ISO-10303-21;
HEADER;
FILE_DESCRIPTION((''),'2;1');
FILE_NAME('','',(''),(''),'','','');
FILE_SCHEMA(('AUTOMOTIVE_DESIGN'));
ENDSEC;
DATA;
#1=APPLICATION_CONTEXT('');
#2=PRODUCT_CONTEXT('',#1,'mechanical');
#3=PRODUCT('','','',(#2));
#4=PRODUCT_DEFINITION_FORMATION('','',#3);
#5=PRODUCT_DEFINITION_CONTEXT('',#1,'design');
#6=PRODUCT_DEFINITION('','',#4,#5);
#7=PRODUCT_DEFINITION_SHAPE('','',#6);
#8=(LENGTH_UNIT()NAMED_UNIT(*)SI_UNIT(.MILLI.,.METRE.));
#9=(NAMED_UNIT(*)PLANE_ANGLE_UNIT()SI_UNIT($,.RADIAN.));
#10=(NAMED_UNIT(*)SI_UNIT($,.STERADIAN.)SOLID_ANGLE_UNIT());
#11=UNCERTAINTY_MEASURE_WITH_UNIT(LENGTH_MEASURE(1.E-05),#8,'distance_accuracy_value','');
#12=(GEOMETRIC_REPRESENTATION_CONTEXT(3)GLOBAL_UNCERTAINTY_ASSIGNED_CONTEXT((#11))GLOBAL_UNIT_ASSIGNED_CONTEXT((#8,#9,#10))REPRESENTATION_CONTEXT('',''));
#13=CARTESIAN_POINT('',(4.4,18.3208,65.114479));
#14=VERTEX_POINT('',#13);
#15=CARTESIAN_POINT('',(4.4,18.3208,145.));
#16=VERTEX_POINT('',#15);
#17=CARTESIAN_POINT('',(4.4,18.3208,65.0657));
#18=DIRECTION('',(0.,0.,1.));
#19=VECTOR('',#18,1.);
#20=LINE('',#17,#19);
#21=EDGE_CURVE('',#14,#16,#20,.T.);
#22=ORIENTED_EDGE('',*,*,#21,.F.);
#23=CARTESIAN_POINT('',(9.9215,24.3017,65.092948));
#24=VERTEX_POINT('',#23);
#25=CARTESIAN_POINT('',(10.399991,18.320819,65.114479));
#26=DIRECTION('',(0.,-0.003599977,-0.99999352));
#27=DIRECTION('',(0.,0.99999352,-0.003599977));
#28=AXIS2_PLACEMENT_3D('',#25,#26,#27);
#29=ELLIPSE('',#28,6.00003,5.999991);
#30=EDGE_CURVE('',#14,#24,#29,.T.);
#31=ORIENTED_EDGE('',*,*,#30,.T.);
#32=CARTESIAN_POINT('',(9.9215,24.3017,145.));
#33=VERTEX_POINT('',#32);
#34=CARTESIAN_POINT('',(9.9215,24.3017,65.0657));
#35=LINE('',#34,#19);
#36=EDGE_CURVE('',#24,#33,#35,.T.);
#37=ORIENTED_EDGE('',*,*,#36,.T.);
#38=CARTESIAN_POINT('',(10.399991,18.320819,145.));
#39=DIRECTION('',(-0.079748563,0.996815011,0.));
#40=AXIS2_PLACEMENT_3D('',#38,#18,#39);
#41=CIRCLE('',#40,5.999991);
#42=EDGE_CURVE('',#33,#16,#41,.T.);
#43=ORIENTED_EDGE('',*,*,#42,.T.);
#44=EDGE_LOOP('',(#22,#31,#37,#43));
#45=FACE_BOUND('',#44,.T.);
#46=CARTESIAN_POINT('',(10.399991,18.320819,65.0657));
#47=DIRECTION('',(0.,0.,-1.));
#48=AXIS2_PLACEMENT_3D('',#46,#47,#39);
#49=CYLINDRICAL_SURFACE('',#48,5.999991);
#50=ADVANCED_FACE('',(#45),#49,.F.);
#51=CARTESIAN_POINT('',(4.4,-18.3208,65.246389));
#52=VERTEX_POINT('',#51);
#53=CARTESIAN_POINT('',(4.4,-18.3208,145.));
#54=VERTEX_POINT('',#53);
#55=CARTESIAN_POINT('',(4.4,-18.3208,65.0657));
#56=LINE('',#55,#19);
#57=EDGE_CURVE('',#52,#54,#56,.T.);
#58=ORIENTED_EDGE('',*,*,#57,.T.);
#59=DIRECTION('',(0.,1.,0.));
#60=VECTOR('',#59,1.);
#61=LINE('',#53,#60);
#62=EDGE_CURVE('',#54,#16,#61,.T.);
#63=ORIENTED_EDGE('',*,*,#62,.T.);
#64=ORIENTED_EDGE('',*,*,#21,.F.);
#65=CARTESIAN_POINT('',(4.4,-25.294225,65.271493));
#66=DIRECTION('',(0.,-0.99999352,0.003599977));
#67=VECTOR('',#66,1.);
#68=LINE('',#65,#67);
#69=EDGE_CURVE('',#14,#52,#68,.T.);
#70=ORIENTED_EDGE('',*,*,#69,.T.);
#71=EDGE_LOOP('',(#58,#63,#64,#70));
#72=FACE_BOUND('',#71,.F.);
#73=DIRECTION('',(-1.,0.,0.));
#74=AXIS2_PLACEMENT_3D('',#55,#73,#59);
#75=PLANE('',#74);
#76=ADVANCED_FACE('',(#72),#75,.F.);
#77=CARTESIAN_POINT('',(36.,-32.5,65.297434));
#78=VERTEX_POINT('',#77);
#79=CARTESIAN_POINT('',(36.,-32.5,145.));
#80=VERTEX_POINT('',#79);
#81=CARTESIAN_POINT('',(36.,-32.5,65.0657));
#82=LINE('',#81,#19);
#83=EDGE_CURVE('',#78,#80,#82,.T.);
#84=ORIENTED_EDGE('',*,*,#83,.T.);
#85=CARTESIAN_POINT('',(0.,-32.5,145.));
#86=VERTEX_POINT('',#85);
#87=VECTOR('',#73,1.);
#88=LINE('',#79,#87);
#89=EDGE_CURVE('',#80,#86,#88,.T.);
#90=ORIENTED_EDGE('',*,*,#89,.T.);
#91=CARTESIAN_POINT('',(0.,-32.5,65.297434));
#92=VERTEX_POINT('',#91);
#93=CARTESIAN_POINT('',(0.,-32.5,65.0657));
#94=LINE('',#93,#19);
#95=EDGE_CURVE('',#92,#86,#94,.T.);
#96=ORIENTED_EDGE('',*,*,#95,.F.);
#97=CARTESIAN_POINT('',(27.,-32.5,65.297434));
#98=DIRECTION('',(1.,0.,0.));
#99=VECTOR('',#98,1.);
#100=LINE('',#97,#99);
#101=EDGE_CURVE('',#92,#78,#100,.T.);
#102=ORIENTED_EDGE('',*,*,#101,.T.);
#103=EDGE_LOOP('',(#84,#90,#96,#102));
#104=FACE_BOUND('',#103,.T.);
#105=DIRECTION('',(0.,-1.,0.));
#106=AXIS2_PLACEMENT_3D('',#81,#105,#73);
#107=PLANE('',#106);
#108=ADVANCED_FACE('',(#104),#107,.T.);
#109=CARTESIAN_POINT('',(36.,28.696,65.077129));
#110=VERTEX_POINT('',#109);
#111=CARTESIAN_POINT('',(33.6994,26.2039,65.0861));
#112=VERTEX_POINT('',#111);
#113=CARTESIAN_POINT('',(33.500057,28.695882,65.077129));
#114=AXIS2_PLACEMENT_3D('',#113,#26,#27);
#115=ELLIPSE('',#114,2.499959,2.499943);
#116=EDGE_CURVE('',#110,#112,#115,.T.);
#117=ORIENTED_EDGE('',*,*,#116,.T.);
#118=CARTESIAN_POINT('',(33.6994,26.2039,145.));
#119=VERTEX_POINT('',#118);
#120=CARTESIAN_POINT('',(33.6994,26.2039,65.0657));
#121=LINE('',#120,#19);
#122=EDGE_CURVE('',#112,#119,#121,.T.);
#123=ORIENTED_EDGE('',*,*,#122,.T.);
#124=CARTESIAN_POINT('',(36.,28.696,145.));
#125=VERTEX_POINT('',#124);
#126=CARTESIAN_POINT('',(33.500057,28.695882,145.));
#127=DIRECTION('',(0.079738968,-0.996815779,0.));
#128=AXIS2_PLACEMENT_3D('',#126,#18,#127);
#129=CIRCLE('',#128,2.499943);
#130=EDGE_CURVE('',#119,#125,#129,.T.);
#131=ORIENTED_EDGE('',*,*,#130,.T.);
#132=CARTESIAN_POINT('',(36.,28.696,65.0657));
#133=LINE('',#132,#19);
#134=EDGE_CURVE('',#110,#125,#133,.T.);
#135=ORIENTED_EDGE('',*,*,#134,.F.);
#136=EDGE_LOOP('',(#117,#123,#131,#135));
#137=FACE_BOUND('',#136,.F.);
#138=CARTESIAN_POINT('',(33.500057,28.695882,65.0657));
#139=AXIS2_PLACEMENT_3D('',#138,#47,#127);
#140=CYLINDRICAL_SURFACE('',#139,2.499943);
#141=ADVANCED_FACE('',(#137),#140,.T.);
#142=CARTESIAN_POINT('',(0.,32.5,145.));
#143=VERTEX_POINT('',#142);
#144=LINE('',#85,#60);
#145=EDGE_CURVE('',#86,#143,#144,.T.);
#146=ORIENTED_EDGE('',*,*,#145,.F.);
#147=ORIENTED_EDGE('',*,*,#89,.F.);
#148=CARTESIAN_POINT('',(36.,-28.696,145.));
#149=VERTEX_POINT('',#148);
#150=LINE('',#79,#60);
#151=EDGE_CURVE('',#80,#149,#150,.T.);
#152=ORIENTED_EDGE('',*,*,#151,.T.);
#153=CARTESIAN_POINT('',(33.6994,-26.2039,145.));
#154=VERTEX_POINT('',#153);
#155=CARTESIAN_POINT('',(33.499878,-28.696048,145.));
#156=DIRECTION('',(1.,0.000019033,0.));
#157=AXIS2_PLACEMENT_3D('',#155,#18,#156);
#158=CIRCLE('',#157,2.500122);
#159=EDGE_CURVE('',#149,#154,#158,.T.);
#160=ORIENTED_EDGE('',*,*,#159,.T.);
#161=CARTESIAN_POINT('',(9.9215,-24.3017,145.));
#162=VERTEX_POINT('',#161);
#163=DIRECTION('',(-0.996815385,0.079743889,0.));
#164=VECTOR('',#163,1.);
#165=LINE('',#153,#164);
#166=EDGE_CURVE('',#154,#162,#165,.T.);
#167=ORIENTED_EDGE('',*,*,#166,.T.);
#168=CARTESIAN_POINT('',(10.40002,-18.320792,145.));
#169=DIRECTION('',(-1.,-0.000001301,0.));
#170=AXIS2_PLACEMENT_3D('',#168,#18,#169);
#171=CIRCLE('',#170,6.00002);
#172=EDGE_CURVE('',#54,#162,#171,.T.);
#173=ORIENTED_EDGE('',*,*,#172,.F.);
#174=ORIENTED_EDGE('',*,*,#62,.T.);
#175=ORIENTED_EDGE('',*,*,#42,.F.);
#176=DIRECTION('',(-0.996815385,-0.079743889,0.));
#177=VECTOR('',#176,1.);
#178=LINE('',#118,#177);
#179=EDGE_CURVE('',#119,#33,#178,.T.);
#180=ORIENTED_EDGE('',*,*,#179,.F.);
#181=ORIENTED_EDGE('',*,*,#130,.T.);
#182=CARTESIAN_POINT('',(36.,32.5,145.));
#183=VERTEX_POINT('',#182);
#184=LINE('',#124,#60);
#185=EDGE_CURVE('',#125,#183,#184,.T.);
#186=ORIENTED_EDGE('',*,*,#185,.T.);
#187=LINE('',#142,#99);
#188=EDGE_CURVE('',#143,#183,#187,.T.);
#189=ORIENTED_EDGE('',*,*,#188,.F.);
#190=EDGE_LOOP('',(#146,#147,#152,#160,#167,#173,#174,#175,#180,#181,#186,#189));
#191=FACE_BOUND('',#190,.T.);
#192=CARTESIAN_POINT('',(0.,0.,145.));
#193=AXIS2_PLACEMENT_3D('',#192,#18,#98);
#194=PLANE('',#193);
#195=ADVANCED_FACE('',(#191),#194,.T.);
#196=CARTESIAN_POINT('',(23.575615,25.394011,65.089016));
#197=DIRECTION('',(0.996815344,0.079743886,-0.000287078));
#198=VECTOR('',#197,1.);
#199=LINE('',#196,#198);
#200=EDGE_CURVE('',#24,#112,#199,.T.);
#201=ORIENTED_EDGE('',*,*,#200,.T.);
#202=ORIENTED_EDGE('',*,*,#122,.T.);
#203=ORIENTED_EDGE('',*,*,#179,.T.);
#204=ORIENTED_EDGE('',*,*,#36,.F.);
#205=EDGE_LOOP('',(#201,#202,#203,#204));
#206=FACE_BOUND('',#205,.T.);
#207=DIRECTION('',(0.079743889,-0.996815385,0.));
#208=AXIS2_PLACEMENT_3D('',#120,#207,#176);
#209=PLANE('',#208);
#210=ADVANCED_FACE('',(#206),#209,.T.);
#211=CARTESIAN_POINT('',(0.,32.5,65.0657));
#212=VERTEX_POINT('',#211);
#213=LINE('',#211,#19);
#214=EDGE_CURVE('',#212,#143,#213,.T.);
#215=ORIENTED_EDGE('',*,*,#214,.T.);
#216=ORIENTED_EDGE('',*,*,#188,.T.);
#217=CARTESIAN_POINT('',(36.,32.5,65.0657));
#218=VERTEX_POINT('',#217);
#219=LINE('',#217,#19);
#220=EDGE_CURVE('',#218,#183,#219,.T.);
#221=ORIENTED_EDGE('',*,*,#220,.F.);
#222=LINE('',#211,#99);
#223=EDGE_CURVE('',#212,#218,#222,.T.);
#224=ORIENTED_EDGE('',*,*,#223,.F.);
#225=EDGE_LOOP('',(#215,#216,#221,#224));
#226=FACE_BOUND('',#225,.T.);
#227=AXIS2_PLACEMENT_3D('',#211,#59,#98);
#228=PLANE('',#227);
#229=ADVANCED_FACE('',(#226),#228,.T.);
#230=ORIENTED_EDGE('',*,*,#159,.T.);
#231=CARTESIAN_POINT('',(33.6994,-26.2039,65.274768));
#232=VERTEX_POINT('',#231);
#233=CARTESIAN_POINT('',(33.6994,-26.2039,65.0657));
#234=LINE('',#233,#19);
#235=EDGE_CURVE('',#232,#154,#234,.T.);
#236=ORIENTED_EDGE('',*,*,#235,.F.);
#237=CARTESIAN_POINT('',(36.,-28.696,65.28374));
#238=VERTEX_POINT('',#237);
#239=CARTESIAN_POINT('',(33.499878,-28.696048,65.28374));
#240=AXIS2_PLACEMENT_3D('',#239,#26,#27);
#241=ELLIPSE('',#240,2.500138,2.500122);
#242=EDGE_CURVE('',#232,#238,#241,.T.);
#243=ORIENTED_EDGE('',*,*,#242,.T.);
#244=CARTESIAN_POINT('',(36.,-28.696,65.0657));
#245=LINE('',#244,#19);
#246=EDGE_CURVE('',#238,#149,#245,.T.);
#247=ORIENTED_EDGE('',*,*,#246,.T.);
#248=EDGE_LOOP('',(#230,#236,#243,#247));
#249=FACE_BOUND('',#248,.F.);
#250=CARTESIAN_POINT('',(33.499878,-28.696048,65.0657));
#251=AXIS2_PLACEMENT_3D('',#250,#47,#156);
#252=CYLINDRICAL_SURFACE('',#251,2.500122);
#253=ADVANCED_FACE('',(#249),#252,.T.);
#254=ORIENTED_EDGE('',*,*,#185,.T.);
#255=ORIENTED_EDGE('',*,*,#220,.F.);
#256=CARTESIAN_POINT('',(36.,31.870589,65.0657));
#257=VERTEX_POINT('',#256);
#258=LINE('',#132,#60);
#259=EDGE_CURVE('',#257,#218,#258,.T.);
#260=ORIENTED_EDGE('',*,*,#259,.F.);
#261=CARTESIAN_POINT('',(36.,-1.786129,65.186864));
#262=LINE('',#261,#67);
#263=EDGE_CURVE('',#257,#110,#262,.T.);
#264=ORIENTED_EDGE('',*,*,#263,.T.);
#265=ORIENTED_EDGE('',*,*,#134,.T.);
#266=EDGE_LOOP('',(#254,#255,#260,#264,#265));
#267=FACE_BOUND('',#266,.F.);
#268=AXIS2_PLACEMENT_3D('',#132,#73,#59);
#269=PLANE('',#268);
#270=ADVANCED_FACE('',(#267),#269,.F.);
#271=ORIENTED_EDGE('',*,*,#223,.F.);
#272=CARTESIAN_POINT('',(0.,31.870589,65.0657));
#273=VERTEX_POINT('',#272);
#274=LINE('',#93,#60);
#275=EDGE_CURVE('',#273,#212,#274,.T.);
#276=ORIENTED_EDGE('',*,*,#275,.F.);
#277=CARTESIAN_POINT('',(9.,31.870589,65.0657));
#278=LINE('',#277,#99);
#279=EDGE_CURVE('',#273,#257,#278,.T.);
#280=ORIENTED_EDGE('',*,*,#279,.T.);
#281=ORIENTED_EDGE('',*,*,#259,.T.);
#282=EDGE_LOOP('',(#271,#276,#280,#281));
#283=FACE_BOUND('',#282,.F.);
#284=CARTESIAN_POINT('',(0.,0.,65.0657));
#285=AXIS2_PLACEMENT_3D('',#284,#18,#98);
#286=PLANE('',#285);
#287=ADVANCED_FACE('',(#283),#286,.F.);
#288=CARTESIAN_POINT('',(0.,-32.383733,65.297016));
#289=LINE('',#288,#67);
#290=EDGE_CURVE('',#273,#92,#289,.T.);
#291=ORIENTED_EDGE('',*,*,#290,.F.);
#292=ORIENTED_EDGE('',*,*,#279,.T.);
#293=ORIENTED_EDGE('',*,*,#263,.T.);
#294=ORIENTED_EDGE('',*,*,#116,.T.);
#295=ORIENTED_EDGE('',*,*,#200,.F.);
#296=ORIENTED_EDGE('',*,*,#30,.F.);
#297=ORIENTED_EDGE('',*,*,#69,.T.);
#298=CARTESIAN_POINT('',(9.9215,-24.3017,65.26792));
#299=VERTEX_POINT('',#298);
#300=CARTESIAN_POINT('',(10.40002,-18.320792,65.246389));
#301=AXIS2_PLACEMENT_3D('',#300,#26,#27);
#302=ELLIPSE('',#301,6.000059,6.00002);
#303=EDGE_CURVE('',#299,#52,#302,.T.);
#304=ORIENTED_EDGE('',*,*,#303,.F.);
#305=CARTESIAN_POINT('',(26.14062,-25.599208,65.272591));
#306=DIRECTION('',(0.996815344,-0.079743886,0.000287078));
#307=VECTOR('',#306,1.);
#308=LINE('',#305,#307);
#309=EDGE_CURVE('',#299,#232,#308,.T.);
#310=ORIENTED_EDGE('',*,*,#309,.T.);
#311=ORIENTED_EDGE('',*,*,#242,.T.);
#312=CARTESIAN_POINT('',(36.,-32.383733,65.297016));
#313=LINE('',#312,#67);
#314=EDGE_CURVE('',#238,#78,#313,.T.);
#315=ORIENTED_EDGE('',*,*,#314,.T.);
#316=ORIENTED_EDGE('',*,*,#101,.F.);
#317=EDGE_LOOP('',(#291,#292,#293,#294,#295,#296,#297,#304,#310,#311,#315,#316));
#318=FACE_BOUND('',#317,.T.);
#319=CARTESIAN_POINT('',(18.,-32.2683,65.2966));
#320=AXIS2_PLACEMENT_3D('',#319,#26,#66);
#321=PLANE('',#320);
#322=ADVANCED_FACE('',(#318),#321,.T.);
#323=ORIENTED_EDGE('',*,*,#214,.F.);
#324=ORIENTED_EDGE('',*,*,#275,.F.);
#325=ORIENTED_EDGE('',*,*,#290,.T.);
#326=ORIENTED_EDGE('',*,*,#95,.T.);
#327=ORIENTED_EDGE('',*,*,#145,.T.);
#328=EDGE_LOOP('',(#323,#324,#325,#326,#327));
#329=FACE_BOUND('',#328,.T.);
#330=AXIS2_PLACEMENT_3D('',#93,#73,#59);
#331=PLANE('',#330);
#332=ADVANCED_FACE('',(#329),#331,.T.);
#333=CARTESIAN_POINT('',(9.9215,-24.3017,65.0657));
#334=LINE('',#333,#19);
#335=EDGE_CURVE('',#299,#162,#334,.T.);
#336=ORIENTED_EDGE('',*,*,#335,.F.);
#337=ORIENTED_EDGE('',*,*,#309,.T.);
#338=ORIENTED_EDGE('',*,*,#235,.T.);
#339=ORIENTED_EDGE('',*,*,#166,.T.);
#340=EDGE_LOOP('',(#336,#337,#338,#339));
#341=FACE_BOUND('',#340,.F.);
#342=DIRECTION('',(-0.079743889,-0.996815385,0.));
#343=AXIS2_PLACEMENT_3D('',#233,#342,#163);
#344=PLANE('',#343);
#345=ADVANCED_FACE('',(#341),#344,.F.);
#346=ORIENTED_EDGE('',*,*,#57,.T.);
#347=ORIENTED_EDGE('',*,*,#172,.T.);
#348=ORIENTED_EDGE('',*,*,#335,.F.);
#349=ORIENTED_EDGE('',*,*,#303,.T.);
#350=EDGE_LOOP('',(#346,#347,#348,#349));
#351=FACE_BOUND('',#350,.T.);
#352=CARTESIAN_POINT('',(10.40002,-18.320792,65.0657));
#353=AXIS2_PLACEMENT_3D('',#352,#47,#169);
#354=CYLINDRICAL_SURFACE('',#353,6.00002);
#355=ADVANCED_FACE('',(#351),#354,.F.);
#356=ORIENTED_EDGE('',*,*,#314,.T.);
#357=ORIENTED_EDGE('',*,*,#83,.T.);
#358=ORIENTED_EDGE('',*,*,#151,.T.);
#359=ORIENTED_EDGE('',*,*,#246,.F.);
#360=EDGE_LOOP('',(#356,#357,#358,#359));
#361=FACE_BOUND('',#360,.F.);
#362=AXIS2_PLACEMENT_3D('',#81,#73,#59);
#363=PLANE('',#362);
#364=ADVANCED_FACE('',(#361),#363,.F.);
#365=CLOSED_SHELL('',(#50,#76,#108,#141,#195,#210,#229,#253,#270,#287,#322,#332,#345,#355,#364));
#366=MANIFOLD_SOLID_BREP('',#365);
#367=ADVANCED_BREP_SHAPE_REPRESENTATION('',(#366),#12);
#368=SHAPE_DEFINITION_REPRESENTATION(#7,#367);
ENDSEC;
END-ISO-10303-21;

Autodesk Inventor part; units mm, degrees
ref_plane "Начальная плоскость" through (0, 0, 65.0657) normal (0, 0, 1) x (1, 0, 0)
ref_plane "Конечная плоскость" through (0, 0, 145) normal (0, 0, 1) x (1, 0, 0)
sketch "Эскиз" plane through (0, 0, 0) normal (0, 0, 1) x (1, 0, 0)
  line L0 (36, -32.5) -> (0, -32.5)
  line L1 (36, -32.5) -> (36, -28.696)
  line L2 (33.6994, -26.2039) -> (9.9215, -24.3017)
  line L3 (4.4, -18.3208) -> (4.4, 18.3208)
  line L4 (33.6994, 26.2039) -> (9.9215, 24.3017)
  line L5 (36, 28.696) -> (36, 32.5)
  line L6 (0, 32.5) -> (36, 32.5)
  line L7 (0, -32.5) -> (0, 32.5)
  arc A0 (4.4, -18.3208) -> (9.9215, -24.3017) centre (10.4, -18.3208) ccw
  arc A1 (9.9215, 24.3017) -> (4.4, 18.3208) centre (10.4, 18.3208) ccw
  arc A2 (36, -28.696) -> (33.6994, -26.2039) centre (33.5, -28.696) ccw
  arc A3 (33.6994, 26.2039) -> (36, 28.696) centre (33.5, 28.696) ccw
  line L8 (0, 45.5) -> (0, -45.5) construction
  line L9 (-7.2974, 0) -> (43.7847, 0) construction
  point P0 (36, -26.388)
  point P1 (4.4, -23.86)
  point P2 (4.4, 23.86)
  point P3 (36, 26.388)
  dimension "d3" = 36
  dimension "d5" = 4.4
  dimension "d7" = 65
  dimension "d9" = 8.64
  dimension "d11" = 8.64
  dimension "d13" = 6.112
  dimension "d15" = 6.112
  dimension "d22" = 6
  dimension "d23" = 2.5
  dimension "d24" = 32.5
  dimension "d25" = 0
extrude "Тело" add sketch "Эскиз" along normal up to surface (79.9343 mm away) from surface at 65.0657
sketch "Sketch3" plane through (0, 0, 0) normal (0, 0, 1) x (1, 0, 0)
  line L0 (0, 0) -> (10, 0)
ref_plane "Work Plane7" through (0, 0, 0) normal (0, -1, 0) x (1, 0, 0)
sketch "Sketch4" plane through (0, 0, 0) normal (0, -1, 0) x (1, 0, 0)
  line L0 (-2, 65.0657) -> (12, 65.0657)
  line L1 (-2, 145) -> (12, 145)
  dimension "d29" = 79.9343
ref_plane "РабПлоскость8" through (18, 50.815, 145) normal (0, 0, 1) x (1, 0, 0)
split "Разделение1" plane through (18, 50.815, 145) removes the side toward (0, 0, 1)
ref_plane "РабПлоскость9" through (18, -32.2683, 65.2966) normal (0, -0.0036, -1) x (1, 0, 0)
split "Разделение2" plane through (18, -32.2683, 65.2966) removes the side toward (0, -0.0036, -1)
equation "\"d3\" = b"
equation "\"d5\" = t1"
equation "\"d7\" = ParH"
equation "\"d9\" = msp_x1 + t2"
equation "\"d11\" = msp_x1 + t2"
equation "\"d13\" = -msp_x2 + t2"
equation "\"d15\" = -msp_x2 + t2"
equation "\"d22\" = R"
equation "\"d23\" = R1"
equation "\"d24\" = 0.5 * d7"
equation "\"d16\" = G_L"
equation "\"R1\" = 2.5"
equation "\"R\" = 6"
equation "\"t1\" = 4.4"
equation "\"t2\" = 7.2"
equation "\"ParH\" = 65"
equation "\"b\" = 36"
equation "\"msp_x1\" = 0.04 * b"
equation "\"msp_x2\" = -0.08 * t1 + 0.04 * b"
equation "\"G_L\" = d29"
equation "\"ex\" = 0"
equation "\"G_OFFSET_START\" = -65.06571"
equation "\"G_OFFSET_END\" = -65"
equation "\"d26\" = -G_OFFSET_START"
equation "\"d27\" = G_OFFSET_END + B_L"
equation "\"B_L\" = 210"
properties part number "Швеллер 6.5U-79,93 ГОСТ 8240-97" material "Сталь, мягкая, сварочная"
